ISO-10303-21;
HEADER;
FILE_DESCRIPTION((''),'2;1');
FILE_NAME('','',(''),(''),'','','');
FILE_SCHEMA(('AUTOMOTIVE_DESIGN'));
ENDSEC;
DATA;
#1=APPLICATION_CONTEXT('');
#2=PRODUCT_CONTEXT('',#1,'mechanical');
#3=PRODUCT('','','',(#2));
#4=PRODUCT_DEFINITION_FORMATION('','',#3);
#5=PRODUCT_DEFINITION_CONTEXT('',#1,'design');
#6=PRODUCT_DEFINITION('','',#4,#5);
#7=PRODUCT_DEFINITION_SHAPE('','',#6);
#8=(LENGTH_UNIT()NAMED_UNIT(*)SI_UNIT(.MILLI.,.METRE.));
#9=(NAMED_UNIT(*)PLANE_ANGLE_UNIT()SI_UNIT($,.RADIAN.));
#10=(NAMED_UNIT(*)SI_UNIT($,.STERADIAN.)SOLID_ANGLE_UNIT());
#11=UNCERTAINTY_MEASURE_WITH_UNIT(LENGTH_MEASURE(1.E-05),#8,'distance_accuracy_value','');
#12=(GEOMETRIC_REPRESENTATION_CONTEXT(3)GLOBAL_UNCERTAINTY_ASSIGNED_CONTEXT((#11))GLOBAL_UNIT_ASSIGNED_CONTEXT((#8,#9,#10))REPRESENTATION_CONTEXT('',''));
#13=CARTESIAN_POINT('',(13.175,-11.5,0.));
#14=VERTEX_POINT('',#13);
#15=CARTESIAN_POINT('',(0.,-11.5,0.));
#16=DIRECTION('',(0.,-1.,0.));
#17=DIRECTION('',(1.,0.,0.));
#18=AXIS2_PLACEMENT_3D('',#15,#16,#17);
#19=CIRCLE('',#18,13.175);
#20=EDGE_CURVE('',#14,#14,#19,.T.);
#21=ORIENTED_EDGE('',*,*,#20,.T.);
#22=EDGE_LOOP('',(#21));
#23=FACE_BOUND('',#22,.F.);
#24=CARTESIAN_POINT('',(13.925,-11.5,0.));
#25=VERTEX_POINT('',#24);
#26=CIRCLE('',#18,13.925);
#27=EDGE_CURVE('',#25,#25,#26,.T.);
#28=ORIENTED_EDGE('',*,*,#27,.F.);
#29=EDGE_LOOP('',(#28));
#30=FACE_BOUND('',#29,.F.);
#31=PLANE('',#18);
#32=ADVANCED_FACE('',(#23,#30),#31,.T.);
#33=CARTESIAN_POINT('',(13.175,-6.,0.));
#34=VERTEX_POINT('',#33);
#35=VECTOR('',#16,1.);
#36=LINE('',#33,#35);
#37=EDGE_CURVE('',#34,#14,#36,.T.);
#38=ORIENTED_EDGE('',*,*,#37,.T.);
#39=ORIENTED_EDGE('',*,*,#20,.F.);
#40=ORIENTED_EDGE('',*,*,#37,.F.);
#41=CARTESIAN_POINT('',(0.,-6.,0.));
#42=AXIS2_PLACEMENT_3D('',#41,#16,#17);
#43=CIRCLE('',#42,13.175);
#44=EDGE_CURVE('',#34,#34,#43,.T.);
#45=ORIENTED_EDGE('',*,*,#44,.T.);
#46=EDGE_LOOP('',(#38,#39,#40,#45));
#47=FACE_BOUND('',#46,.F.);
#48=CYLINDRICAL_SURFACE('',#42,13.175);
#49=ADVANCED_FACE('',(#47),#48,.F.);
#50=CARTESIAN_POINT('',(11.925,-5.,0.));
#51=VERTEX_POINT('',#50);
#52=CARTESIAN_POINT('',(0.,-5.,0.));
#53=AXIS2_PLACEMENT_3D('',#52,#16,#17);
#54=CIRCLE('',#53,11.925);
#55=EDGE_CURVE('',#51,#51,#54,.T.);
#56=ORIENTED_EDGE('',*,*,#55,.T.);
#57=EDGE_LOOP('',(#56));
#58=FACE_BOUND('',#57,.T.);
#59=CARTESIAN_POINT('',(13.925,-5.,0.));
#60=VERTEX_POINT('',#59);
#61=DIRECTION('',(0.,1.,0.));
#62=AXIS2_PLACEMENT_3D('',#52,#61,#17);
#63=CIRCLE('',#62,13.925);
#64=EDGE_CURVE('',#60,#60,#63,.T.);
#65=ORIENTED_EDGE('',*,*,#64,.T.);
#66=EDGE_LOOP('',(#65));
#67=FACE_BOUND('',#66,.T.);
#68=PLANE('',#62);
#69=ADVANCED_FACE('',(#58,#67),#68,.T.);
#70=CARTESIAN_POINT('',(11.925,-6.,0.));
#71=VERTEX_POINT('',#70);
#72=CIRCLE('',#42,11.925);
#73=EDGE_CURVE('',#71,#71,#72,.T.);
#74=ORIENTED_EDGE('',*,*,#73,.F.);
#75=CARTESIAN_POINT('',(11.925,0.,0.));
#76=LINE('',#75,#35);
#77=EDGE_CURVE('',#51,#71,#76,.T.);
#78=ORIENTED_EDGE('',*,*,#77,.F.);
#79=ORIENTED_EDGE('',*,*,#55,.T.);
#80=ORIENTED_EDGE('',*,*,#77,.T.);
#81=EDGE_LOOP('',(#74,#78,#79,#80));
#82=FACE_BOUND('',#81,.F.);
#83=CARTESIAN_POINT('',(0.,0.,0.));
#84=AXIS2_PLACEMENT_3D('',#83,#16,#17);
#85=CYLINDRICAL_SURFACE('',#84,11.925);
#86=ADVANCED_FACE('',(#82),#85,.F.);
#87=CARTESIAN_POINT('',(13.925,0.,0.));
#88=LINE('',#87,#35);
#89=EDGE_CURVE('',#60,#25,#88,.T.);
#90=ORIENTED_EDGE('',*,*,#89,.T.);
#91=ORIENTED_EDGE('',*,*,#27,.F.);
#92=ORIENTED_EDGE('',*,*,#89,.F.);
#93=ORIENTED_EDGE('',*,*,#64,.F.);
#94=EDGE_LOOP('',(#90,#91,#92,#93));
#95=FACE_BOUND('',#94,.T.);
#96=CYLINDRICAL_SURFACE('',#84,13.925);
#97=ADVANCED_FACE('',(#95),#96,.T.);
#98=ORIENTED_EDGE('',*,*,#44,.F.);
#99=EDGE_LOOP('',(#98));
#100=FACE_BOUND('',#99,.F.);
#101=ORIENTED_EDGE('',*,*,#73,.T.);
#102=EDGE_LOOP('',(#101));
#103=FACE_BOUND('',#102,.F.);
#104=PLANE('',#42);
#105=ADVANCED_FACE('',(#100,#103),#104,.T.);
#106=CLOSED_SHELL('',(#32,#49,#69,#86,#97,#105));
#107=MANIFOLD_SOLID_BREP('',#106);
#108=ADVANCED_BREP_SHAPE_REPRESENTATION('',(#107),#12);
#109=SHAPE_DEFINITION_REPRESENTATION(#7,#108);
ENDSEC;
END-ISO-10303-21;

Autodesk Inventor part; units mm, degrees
ref_plane "YZ Plane" through (0, 0, 0) normal (1, 0, 0) x (0, 1, 0)
ref_plane "XZ Plane" through (0, 0, 0) normal (0, 1, 0) x (-1, 0, 0)
ref_plane "XY Plane" through (0, 0, 0) normal (0, 0, 1) x (1, 0, 0)
sketch "Sketch1" plane through (0, 0, 0) normal (0, 0, 1) x (1, 0, 0)
  line L0 (0, 0) -> (13.925, 0)
  line L1 (13.925, 0) -> (13.925, -11.5)
  line L2 (13.925, -11.5) -> (0, -11.5) construction
  line L3 (0, -11.5) -> (0, 0) construction
  line L4 (13.925, 0) -> (0, 0)
  line L5 (0, 0) -> (0, -3.5)
  line L6 (0, -3.5) -> (13.925, -3.5)
  line L7 (13.925, -3.5) -> (13.925, 0)
  line L8 (13.925, 0) -> (11.925, 0)
  line L9 (11.925, 0) -> (11.925, -6)
  line L10 (11.925, -6) -> (13.925, -6)
  line L11 (13.925, -6) -> (13.925, 0)
  line L12 (13.925, -6) -> (13.175, -6)
  line L13 (13.175, -6) -> (13.175, -11.5)
  line L14 (13.175, -11.5) -> (13.925, -11.5)
  line L15 (13.925, -11.5) -> (13.925, -6)
  line L16 (0, 0) -> (2.5, 0)
  line L17 (2.5, 0) -> (2.5, 14.25)
  line L18 (2.5, 14.25) -> (0, 14.25)
  line L19 (0, 14.25) -> (0, 0)
  line L20 (0, -3.5) -> (2, -3.5)
  line L21 (2, -3.5) -> (2, -6.5)
  line L22 (2, -6.5) -> (0, -6.5)
  line L23 (0, -6.5) -> (0, -3.5)
  line L24 (2, -6.5) -> (4.5, -3.5)
  line L25 (0, -3.5) -> (1.5, -3.5)
  line L26 (1.5, -3.5) -> (1.5, -6.5)
  line L27 (1.5, -6.5) -> (0, -6.5)
  line L28 (0, -6.5) -> (0, -3.5)
  line L29 (1.5, -6.5) -> (0, -6.5)
  line L30 (0, -6.5) -> (0, -0.5)
  line L31 (0, -0.5) -> (1.5, -0.5)
  line L32 (1.5, -0.5) -> (1.5, -6.5)
  point P0 (11.925, -3.5)
  point P1 (1.5, -3.5)
  point P2 (1.5, -3.5)
  dimension "d0" = 13.925
  dimension "d1" = 11.5
  dimension "d2" = 3.5
  dimension "d3" = 2
  dimension "d5" = 5.5
  dimension "d6" = 0.75
  dimension "d7" = 2.5
  dimension "d8" = 14.25
  dimension "d13" = 2
  dimension "d14" = 3
  dimension "d15" = 4.5
  dimension "d16" = 1.5
  dimension "d53" = 6
revolve "Revolution1" add sketch "Sketch1" angle 360 about axis through (0, 14.25, 0) along (0, -1, 0) contours L19 L18 L17 L0 | L0 L9 L6 L32 L31 L5 | L0 L1 L6 L9 | L6 L1 L10 L9 | L6 L21 L22 L26 | L24 L21 L6 | L1 L14 L13 L10
chamfer "Chamfer1" distance 2 angle 45 1 edges at (-13.925, 0, 0)
sketch "Sketch4" plane through (0, -3.5, 0) normal (0, -1, 0) x (1, 0, 0)
  line L0 (0, 0) -> (0, 13.925) construction
  circle A0 centre (0, 0) radius 13.925 projected
  circle A1 centre (0, 0) radius 11.925 projected
  circle A2 centre (0, 0) radius 4.5 projected
  arc A3 (-1.9387, 6.0086) -> (1.9387, 6.0086) centre (0, 6.5) ccw
  line L1 (-1, -13.889) -> (1, -13.889) construction
  line L2 (1, -13.889) -> (1, -4.3875) construction
  line L3 (1, -4.3875) -> (-1, -4.3875) construction
  line L4 (-1, -4.3875) -> (-1, -13.889) construction
  line L5 (-1, -13.889) -> (1, -4.3875) construction
  line L6 (1, -13.889) -> (-1, -4.3875) construction
  circle A4 centre (0, 0) radius 4.5 projected
  circle A5 centre (0, 0) radius 11.925 projected
  line L7 (-3.319, 11.4538) -> (-1.9387, 6.0086)
  line L8 (3.4812, 12.0939) -> (1.9387, 6.0086)
  line L9 (2.0542, -4.0038) -> (8.1617, -11.2824) construction
  line L10 (9.6938, -9.9968) -> (3.5863, -2.7182) construction
  line L11 (4.1472, -1.7467) -> (13.5044, -3.3966) construction
  line L12 (13.8517, -1.427) -> (4.4945, 0.2229) construction
  line L13 (4.2997, 1.3277) -> (12.5283, 6.0785) construction
  line L14 (11.5283, 7.8105) -> (3.2997, 3.0598) construction
  line L15 (2.4403, 3.7809) -> (5.69, 12.7094) construction
  line L16 (3.8106, 13.3935) -> (0.5609, 4.4649) construction
  line L17 (-0.5609, 4.4649) -> (-3.8106, 13.3935) construction
  line L18 (-5.69, 12.7094) -> (-2.4403, 3.7809) construction
  line L19 (-3.2997, 3.0598) -> (-11.5283, 7.8105) construction
  line L20 (-12.5283, 6.0785) -> (-4.2997, 1.3277) construction
  line L21 (-4.4945, 0.2229) -> (-13.8517, -1.427) construction
  line L22 (-13.5044, -3.3966) -> (-4.1472, -1.7467) construction
  line L23 (-3.5863, -2.7182) -> (-9.6938, -9.9968) construction
  line L24 (-8.1617, -11.2824) -> (-2.0542, -4.0038) construction
  line L25 (-5.1071, 11.5022) -> (-2.3771, 5.849)
  arc A6 (-5.3474, 3.3567) -> (-2.3771, 5.849) centre (-4.1781, 4.9793) ccw
  line L26 (-9.9049, 6.6407) -> (-5.3474, 3.3567)
  line L27 (-11.3057, 5.5284) -> (-5.5806, 2.9526)
  arc A7 (-6.2539, -0.8659) -> (-5.5806, 2.9526) centre (-6.4013, 1.1287) ccw
  line L28 (-11.8561, -1.2796) -> (-6.2539, -0.8659)
  line L29 (-12.2143, -3.0321) -> (-6.1729, -1.3253)
  arc A8 (-4.2342, -4.6832) -> (-6.1729, -1.3253) centre (-5.6292, -3.25) ccw
  line L30 (-8.2598, -8.6012) -> (-4.2342, -4.6832)
  line L31 (-7.4077, -10.1739) -> (-3.8768, -4.9831)
  arc A9 (-0.2333, -6.3093) -> (-3.8768, -4.9831) centre (-2.2231, -6.108) ccw
  line L32 (-0.7986, -11.8982) -> (-0.2333, -6.3093)
  line L33 (0.8651, -12.5552) -> (0.2333, -6.3093)
  arc A10 (3.8768, -4.9831) -> (0.2333, -6.3093) centre (2.2231, -6.108) ccw
  line L34 (7.0363, -9.6279) -> (3.8768, -4.9831)
  line L35 (8.733, -9.0618) -> (4.2342, -4.6832)
  arc A11 (6.1729, -1.3253) -> (4.2342, -4.6832) centre (5.6292, -3.25) ccw
  line L36 (11.5788, -2.8526) -> (6.1729, -1.3253)
  line L37 (12.5147, -1.3283) -> (6.2539, -0.8659)
  arc A12 (5.5806, 2.9526) -> (6.2539, -0.8659) centre (6.4013, 1.1287) ccw
  line L38 (10.7035, 5.2575) -> (5.5806, 2.9526)
  line L39 (10.4406, 7.0268) -> (5.3474, 3.3567)
  arc A13 (2.3771, 5.849) -> (5.3474, 3.3567) centre (4.1781, 4.9793) ccw
  line L40 (4.8199, 10.9075) -> (2.3771, 5.849)
  arc A14 (-2.2939, 11.7023) -> (-3.0709, 10.4752) centre (-2.1016, 10.721) ccw
  arc A15 (3.0709, 10.4752) -> (2.2939, 11.7023) centre (2.1016, 10.721) ccw
  arc A16 (-4.3809, 9.9985) -> (-5.7648, 10.439) centre (-5.2814, 9.5636) ccw
  arc A17 (-9.2793, 7.49) -> (-9.0858, 6.0506) centre (-8.5012, 6.8619) ccw
  arc A18 (-9.7828, 4.8433) -> (-11.1262, 4.2912) centre (-10.1932, 3.9313) ccw
  arc A19 (-11.9228, -0.227) -> (-10.8494, -1.2053) centre (-10.923, -0.208) ccw
  arc A20 (-10.6073, -2.5781) -> (-11.2814, -3.8645) centre (-10.3354, -3.5405) ccw
  arc A21 (-8.9875, -7.8378) -> (-7.5364, -7.8971) centre (-8.2338, -7.1805) ccw
  arc A22 (-6.4685, -8.7932) -> (-6.158, -10.212) centre (-5.6416, -9.3556) ccw
  arc A23 (-1.8468, -11.7811) -> (-0.697, -10.8938) centre (-1.6919, -10.7932) ccw
  arc A24 (0.697, -10.8938) -> (1.8468, -11.7811) centre (1.6919, -10.7932) ccw
  arc A25 (6.158, -10.212) -> (6.4685, -8.7932) centre (5.6416, -9.3556) ccw
  arc A26 (7.5364, -7.8971) -> (8.9875, -7.8378) centre (8.2338, -7.1805) ccw
  arc A27 (11.2814, -3.8645) -> (10.6073, -2.5781) centre (10.3354, -3.5405) ccw
  arc A28 (10.8494, -1.2053) -> (11.9228, -0.227) centre (10.923, -0.208) ccw
  arc A29 (11.1262, 4.2912) -> (9.7828, 4.8433) centre (10.1932, 3.9313) ccw
  arc A30 (9.0858, 6.0506) -> (9.2793, 7.49) centre (8.5012, 6.8619) ccw
  arc A31 (5.7648, 10.439) -> (4.3809, 9.9985) centre (5.2814, 9.5636) ccw
  point P0 (0, -9.1383)
  point P1 (-5.69, 12.7094)
  point P2 (-11.5283, 7.8105)
  point P3 (-12.5283, 6.0785)
  point P4 (-13.8517, -1.427)
  point P5 (-13.5044, -3.3966)
  point P6 (-8.1617, -11.2824)
  point P7 (-1, -13.889)
  point P8 (1, -13.889)
  point P9 (8.1617, -11.2824)
  point P10 (9.6938, -9.9968)
  point P11 (13.5044, -3.3966)
  point P12 (13.8517, -1.427)
  point P13 (12.5283, 6.0785)
  point P14 (11.5283, 7.8105)
  point P15 (5.69, 12.7094)
  point P16 (9.0858, 6.0506)
  point P17 (11.1262, 4.2912)
  point P18 (10.8494, -1.2053)
  point P19 (11.9228, -0.227)
  point P20 (10.6073, -2.5781)
  point P21 (8.9875, -7.8378)
  point P22 (6.4685, -8.7932)
  point P23 (0.697, -10.8938)
  point P24 (1.8468, -11.7811)
  point P25 (-1.8468, -11.7811)
  point P26 (-0.697, -10.8938)
  point P27 (-10.6073, -2.5781)
  point P28 (-10.8494, -1.2053)
  point P29 (-9.2793, 7.49)
  point P30 (-9.0858, 6.0506)
  point P31 (-5.7648, 10.439)
  point P32 (2.2939, 11.7023)
  point P33 (-2.2939, 11.7023)
  dimension "d31" = 4
  dimension "d32" = 2
  dimension "d39" = 360
  dimension "d43" = 360
  dimension "d45" = 2
  dimension "d48" = 360
extrude "Extrusion2" cut sketch "Sketch4" against normal blind 3 contours A1 A28 L37 A12 L38 A29 | A30 L39 A13 L40 A31 A1 | A1 A26 L35 A11 L36 A27 | A3 L7 A14 A1 A15 L8 | A10 L34 A25 A1 A24 L33 | A6 L26 A17 A1 A16 L25 | A9 L32 A23 A1 A22 L31 | A7 L28 A19 A1 A18 L27 | A8 L30 A21 A1 A20 L29
sketch "Sketch2" plane through (0, 0, 0) normal (0, 1, 0) x (1, 0, 0)
  circle A0 centre (0, 0) radius 1.5 projected
  circle A1 centre (0, 0) radius 11.5
  line L0 (0, 0) -> (0, 13.925) construction
  circle A2 centre (0, 0) radius 13.925 projected
  line L1 (-1, 16.3936) -> (-1, 11.4564)
  line L2 (-1, 11.4564) -> (1, 11.4564) construction
  line L3 (1, 11.4564) -> (1, 16.3936)
  line L4 (1, 16.3936) -> (-1, 16.3936)
  line L5 (-1, 16.3936) -> (1, 11.4564) construction
  line L6 (-1, 11.4564) -> (1, 16.3936) construction
  line L7 (-11.3036, 11.9154) -> (-8.1301, 8.1334)
  line L8 (-8.1301, 8.1334) -> (-6.598, 9.4189) construction
  line L9 (-6.598, 9.4189) -> (-9.7715, 13.201)
  line L10 (-9.7715, 13.201) -> (-11.3036, 11.9154)
  line L11 (-16.3182, 1.8619) -> (-11.456, 1.0046)
  line L12 (-11.456, 1.0046) -> (-11.1087, 2.9742) construction
  line L13 (-11.1087, 2.9742) -> (-15.9709, 3.8315)
  line L14 (-15.9709, 3.8315) -> (-16.3182, 1.8619)
  line L15 (-13.6972, -9.0628) -> (-9.4216, -6.5942)
  line L16 (-9.4216, -6.5942) -> (-10.4216, -4.8622) construction
  line L17 (-10.4216, -4.8622) -> (-14.6972, -7.3308)
  line L18 (-14.6972, -7.3308) -> (-13.6972, -9.0628)
  line L19 (-4.6672, -15.7469) -> (-2.9786, -11.1076)
  line L20 (-2.9786, -11.1076) -> (-4.858, -10.4235) construction
  line L21 (-4.858, -10.4235) -> (-6.5466, -15.0629)
  line L22 (-6.5466, -15.0629) -> (-4.6672, -15.7469)
  line L23 (6.5466, -15.0629) -> (4.858, -10.4235)
  line L24 (4.858, -10.4235) -> (2.9786, -11.1076) construction
  line L25 (2.9786, -11.1076) -> (4.6672, -15.7469)
  line L26 (4.6672, -15.7469) -> (6.5466, -15.0629)
  line L27 (14.6972, -7.3308) -> (10.4216, -4.8622)
  line L28 (10.4216, -4.8622) -> (9.4216, -6.5942) construction
  line L29 (9.4216, -6.5942) -> (13.6972, -9.0628)
  line L30 (13.6972, -9.0628) -> (14.6972, -7.3308)
  line L31 (15.9709, 3.8315) -> (11.1087, 2.9742)
  line L32 (11.1087, 2.9742) -> (11.456, 1.0046) construction
  line L33 (11.456, 1.0046) -> (16.3182, 1.8619)
  line L34 (16.3182, 1.8619) -> (15.9709, 3.8315)
  line L35 (9.7715, 13.201) -> (6.598, 9.4189)
  line L36 (6.598, 9.4189) -> (8.1301, 8.1334) construction
  line L37 (8.1301, 8.1334) -> (11.3036, 11.9154)
  line L38 (11.3036, 11.9154) -> (9.7715, 13.201)
  arc A3 (6.3519, 11.0119) -> (2.2125, 12.5185) centre (0, 0) ccw construction
  arc A4 (6.9577, 12.0622) -> (2.4235, 13.7125) centre (0, 0) ccw
  arc A5 (5.746, 9.9616) -> (2.0015, 11.3245) centre (0, 0) ccw
  arc A6 (5.746, 9.9616) -> (6.9577, 12.0622) centre (6.3519, 11.0119) ccw
  arc A7 (2.4235, 13.7125) -> (2.0015, 11.3245) centre (2.2125, 12.5185) ccw
  arc A8 (-6.9577, 12.0622) -> (-5.746, 9.9616) centre (-6.3519, 11.0119) ccw
  arc A9 (-2.4235, 13.7125) -> (-6.9577, 12.0622) centre (0, 0) ccw
  arc A10 (-2.2125, 12.5185) -> (-6.3519, 11.0119) centre (0, 0) ccw construction
  arc A11 (-2.0015, 11.3245) -> (-2.4235, 13.7125) centre (-2.2125, 12.5185) ccw
  arc A12 (-2.0015, 11.3245) -> (-5.746, 9.9616) centre (0, 0) ccw
  arc A13 (-13.0833, 4.7679) -> (-10.8049, 3.9375) centre (-11.9441, 4.3527) ccw
  arc A14 (-10.6707, 8.9466) -> (-13.0833, 4.7679) centre (0, 0) ccw
  arc A15 (-9.7416, 8.1675) -> (-11.9441, 4.3527) centre (0, 0) ccw construction
  arc A16 (-8.8125, 7.3885) -> (-10.6707, 8.9466) centre (-9.7416, 8.1675) ccw
  arc A17 (-8.8125, 7.3885) -> (-10.8049, 3.9375) centre (0, 0) ccw
  arc A18 (-13.0871, -4.7574) -> (-10.808, -3.9289) centre (-11.9476, -4.3432) ccw
  arc A19 (-13.925, -0.0056) -> (-13.0871, -4.7574) centre (0, 0) ccw
  arc A20 (-12.7125, -0.0051) -> (-11.9476, -4.3432) centre (0, 0) ccw construction
  arc A21 (-11.5, -0.0046) -> (-13.925, -0.0056) centre (-12.7125, -0.0051) ccw
  arc A22 (-11.5, -0.0046) -> (-10.808, -3.9289) centre (0, 0) ccw
  arc A23 (-6.9673, -12.0566) -> (-5.754, -9.957) centre (-6.3606, -11.0068) ccw
  arc A24 (-10.6636, -8.9551) -> (-6.9673, -12.0566) centre (0, 0) ccw
  arc A25 (-9.7351, -8.1753) -> (-6.3606, -11.0068) centre (0, 0) ccw construction
  arc A26 (-8.8066, -7.3956) -> (-10.6636, -8.9551) centre (-9.7351, -8.1753) ccw
  arc A27 (-8.8066, -7.3956) -> (-5.754, -9.957) centre (0, 0) ccw
  arc A28 (2.4126, -13.7144) -> (1.9924, -11.3261) centre (2.2025, -12.5202) ccw
  arc A29 (-2.4126, -13.7144) -> (2.4126, -13.7144) centre (0, 0) ccw
  arc A30 (-2.2025, -12.5202) -> (2.2025, -12.5202) centre (0, 0) ccw construction
  arc A31 (-1.9924, -11.3261) -> (-2.4126, -13.7144) centre (-2.2025, -12.5202) ccw
  arc A32 (-1.9924, -11.3261) -> (1.9924, -11.3261) centre (0, 0) ccw
  arc A33 (10.6636, -8.9551) -> (8.8066, -7.3956) centre (9.7351, -8.1753) ccw
  arc A34 (6.9673, -12.0566) -> (10.6636, -8.9551) centre (0, 0) ccw
  arc A35 (6.3606, -11.0068) -> (9.7351, -8.1753) centre (0, 0) ccw construction
  arc A36 (5.754, -9.957) -> (6.9673, -12.0566) centre (6.3606, -11.0068) ccw
  arc A37 (5.754, -9.957) -> (8.8066, -7.3956) centre (0, 0) ccw
  arc A38 (13.925, -0.0056) -> (11.5, -0.0046) centre (12.7125, -0.0051) ccw
  arc A39 (13.0871, -4.7574) -> (13.925, -0.0056) centre (0, 0) ccw
  arc A40 (11.9476, -4.3432) -> (12.7125, -0.0051) centre (0, 0) ccw construction
  arc A41 (10.808, -3.9289) -> (13.0871, -4.7574) centre (11.9476, -4.3432) ccw
  arc A42 (10.808, -3.9289) -> (11.5, -0.0046) centre (0, 0) ccw
  arc A43 (10.6707, 8.9466) -> (8.8125, 7.3885) centre (9.7416, 8.1675) ccw
  arc A44 (13.0833, 4.7679) -> (10.6707, 8.9466) centre (0, 0) ccw
  arc A45 (11.9441, 4.3527) -> (9.7416, 8.1675) centre (0, 0) ccw construction
  arc A46 (10.8049, 3.9375) -> (13.0833, 4.7679) centre (11.9441, 4.3527) ccw
  arc A47 (10.8049, 3.9375) -> (8.8125, 7.3885) centre (0, 0) ccw
  point P0 (-8.9508, 10.6672)
  point P1 (-13.7134, 2.4181)
  point P2 (-12.0594, -6.9625)
  point P3 (-4.7626, -13.0852)
  point P4 (4.7626, -13.0852)
  point P5 (12.0594, -6.9625)
  point P6 (13.7134, 2.4181)
  point P7 (8.9508, 10.6672)
  point P8 (-1, 11.4564)
  point P9 (-8.1301, 8.1334)
  point P10 (-11.456, 1.0046)
  point P11 (-9.4216, -6.5942)
  point P12 (-2.9786, -11.1076)
  point P13 (4.858, -10.4235)
  point P14 (10.4216, -4.8622)
  point P15 (11.1087, 2.9742)
  point P16 (-8.1617, 11.2824)
  point P17 (-7.2807, 10.2325)
  point P18 (-5.746, 9.9616)
  point P19 (-2.0015, 11.3245)
  point P20 (-1, 12.5185)
  point P21 (-1, 13.889)
  point P22 (-13.5044, 3.3966)
  point P23 (-12.1547, 3.1586)
  point P24 (-8.8125, 7.3885)
  point P25 (-8.8128, 8.9469)
  point P26 (-9.6938, 9.9968)
  point P27 (-12.5283, -6.0785)
  point P28 (-11.3413, -5.3932)
  point P29 (-10.808, -3.9289)
  point P30 (-11.5, -0.0046)
  point P31 (-12.502, 1.189)
  point P32 (-13.8517, 1.427)
  point P33 (-5.69, -12.7094)
  point P34 (-5.2213, -11.4215)
  point P35 (-5.754, -9.957)
  point P36 (-8.8066, -7.3956)
  point P37 (-10.3413, -7.1253)
  point P38 (-11.5283, -7.8105)
  point P39 (3.8106, -13.3935)
  point P40 (3.3419, -12.1055)
  point P41 (1.9924, -11.3261)
  point P42 (-3.3419, -12.1055)
  point P43 (-3.8106, -13.3935)
  point P44 (11.5283, -7.8105)
  point P45 (10.3413, -7.1253)
  point P46 (5.754, -9.957)
  point P47 (5.2213, -11.4215)
  point P48 (5.69, -12.7094)
  point P49 (13.8517, 1.427)
  point P50 (12.502, 1.189)
  point P51 (11.5, -0.0046)
  point P52 (10.808, -3.9289)
  point P53 (11.3413, -5.3932)
  point P54 (12.5283, -6.0785)
  point P55 (9.6938, 9.9968)
  point P56 (8.8128, 8.9469)
  point P57 (8.8125, 7.3885)
  point P58 (10.8049, 3.9375)
  point P59 (12.1547, 3.1586)
  point P60 (13.5044, 3.3966)
  point P61 (1, 12.5185)
  point P62 (2.0015, 11.3245)
  point P63 (7.2807, 10.2325)
  point P64 (8.1617, 11.2824)
  point P65 (1, 13.889)
  dimension "d17" = 23
  dimension "d18" = 2
  dimension "d21" = 360
  dimension "d25" = 360
extrude "Extrusion1" cut sketch "Sketch2" against normal blind 5 contours A38 A2 A41 A1 | L33 A2 A38 | A1 A43 A2 A46 | A46 A2 L31 | A41 A2 L27 | L37 A2 A43 | A33 A2 A36 A1 | L29 A2 A33 | A1 A7 A2 A6 | A6 A2 L35 | A36 A2 L23 | L3 A2 A7 | A28 A2 A31 A1 | L25 A2 A28 | A1 A8 A2 A11 | A11 A2 L1 | A31 A2 L19 | L9 A2 A8 | A23 A2 A26 A1 | L21 A2 A23 | A1 A13 A2 A16 | A16 A2 L7 | A26 A2 L15 | L13 A2 A13 | A18 A2 A21 A1 | L17 A2 A18 | A21 A2 L11
thread "Thread1" size "M5x0.8" class "6g" standard "ANSI Metric M Profile" length 10
sketch "Sketch5" plane through (0, 0, 0) normal (0, 0, 1) x (1, 0, 0)
  line L0 (0, 0) -> (0, -11.5) construction
  line L1 (-13.175, -11.5) -> (13.175, -11.5) projected
  circle A0 centre (0, -2) radius 1.25
  line L2 (1.9924, 0) -> (-1.9924, 0) projected
  point P0 (0, -0.75)
  dimension "d52" = 2.5
  dimension "d55" = 0.75
extrude "Extrusion3" cut sketch "Sketch5" along normal through all
thread "Thread2" size "M2.5x0.45" class "6H" standard "ANSI Metric M Profile" length 5.0038
sketch "Sketch6" plane through (0, 14.25, 0) normal (0, 1, 0) x (1, 0, 0)
  circle A0 centre (0, 0) radius 20
  dimension "d60" = 40
extrude "Extrusion4" cut sketch "Sketch6" against normal up to surface (19.25 mm away)
sketch "Sketch7" plane through (0, -5, 0) normal (0, 1, 0) x (1, 0, 0)
  circle A0 centre (0, 0) radius 5
  dimension "d63" = 10
extrude "Extrusion5" cut sketch "Sketch7" against normal through all
properties part number "CAN" material "Stainless Steel"
